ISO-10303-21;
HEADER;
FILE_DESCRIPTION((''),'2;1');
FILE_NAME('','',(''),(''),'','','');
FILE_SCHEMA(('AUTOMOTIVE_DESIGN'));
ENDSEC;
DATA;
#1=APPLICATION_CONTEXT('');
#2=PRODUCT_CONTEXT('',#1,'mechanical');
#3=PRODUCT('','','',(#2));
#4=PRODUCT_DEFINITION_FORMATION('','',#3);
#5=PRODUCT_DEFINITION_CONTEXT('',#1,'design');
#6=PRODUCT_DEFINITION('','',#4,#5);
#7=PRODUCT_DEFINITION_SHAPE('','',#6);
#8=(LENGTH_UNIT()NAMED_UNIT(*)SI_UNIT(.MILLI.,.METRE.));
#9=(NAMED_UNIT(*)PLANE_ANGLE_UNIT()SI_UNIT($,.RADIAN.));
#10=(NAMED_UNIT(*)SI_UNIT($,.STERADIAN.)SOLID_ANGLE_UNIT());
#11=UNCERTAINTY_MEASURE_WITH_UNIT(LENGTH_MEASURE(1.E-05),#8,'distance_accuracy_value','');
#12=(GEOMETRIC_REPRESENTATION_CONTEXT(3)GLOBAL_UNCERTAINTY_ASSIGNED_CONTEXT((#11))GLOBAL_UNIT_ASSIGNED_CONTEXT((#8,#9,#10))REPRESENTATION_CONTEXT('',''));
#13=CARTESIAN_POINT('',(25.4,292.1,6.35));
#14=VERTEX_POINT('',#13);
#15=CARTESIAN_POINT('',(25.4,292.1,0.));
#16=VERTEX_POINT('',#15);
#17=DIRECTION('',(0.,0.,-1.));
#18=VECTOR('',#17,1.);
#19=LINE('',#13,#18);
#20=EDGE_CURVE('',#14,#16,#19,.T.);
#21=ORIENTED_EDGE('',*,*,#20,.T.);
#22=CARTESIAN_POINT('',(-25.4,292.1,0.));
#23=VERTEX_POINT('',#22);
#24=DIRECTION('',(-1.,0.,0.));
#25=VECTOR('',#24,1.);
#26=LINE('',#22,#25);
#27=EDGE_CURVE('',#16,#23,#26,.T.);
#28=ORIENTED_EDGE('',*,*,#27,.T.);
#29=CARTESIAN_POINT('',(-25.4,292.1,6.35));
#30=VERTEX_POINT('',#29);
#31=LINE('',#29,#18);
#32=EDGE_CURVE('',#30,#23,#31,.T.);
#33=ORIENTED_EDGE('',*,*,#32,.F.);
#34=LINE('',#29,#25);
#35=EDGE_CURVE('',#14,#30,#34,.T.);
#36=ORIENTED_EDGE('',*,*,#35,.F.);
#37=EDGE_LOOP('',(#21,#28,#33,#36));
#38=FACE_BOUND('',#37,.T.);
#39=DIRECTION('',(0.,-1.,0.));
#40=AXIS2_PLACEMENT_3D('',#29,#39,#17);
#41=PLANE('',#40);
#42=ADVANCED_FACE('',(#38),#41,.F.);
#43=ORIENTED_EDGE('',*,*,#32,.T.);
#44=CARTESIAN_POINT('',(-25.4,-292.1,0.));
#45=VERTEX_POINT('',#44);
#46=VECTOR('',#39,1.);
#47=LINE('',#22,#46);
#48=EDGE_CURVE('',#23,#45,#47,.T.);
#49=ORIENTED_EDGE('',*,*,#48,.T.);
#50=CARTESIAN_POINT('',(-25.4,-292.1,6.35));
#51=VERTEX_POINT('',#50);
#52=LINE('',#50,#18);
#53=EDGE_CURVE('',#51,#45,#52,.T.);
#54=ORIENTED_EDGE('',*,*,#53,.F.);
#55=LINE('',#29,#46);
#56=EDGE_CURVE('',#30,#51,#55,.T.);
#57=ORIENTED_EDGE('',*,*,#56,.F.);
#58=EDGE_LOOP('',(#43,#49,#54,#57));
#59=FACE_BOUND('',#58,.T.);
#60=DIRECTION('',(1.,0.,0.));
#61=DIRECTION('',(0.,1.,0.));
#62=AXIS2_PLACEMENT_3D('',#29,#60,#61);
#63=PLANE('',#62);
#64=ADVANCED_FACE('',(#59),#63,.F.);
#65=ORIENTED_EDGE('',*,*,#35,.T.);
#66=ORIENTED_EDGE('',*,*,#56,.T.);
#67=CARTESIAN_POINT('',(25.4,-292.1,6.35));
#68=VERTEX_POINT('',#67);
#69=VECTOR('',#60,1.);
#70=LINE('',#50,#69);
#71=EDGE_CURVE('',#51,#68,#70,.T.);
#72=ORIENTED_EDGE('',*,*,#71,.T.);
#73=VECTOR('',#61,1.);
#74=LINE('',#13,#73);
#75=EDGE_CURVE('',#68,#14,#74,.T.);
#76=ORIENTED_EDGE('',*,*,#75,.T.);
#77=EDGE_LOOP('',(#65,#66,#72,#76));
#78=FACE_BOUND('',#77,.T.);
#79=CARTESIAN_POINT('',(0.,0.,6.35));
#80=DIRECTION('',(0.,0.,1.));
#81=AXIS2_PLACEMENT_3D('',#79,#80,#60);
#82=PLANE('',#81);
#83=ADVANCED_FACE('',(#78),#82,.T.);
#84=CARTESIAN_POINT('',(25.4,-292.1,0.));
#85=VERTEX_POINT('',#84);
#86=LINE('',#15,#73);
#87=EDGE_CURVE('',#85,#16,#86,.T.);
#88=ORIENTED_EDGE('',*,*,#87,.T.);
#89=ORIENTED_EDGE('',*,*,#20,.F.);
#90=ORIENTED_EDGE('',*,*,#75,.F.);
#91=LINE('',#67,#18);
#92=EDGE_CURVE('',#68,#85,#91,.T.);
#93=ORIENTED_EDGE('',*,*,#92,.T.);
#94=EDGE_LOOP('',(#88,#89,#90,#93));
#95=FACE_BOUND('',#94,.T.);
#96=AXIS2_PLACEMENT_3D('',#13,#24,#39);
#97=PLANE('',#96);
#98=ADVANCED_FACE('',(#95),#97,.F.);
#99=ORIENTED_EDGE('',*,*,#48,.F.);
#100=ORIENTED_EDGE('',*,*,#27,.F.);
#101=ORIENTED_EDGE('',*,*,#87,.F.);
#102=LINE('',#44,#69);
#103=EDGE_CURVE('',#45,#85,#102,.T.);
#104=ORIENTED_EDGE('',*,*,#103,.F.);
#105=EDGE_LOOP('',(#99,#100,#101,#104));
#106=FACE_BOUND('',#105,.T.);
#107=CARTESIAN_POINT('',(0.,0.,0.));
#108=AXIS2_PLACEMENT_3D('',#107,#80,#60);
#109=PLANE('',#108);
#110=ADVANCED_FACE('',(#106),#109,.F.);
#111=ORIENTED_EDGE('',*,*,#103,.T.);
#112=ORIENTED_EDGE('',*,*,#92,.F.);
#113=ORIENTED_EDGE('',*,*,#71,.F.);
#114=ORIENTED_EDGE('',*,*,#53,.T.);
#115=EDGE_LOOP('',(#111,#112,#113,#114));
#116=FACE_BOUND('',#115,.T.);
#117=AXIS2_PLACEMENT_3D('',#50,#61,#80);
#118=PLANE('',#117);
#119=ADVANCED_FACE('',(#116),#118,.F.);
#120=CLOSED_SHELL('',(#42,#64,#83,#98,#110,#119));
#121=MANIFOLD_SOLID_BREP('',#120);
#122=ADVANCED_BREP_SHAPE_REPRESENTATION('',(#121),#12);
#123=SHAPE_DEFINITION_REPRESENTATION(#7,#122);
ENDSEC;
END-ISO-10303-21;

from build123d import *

# Parameters (mm, degrees)
ESQUISSE1_W        = 50.8
ESQUISSE1_H        = 584.2
BOSS_EXTRU_1_DEPTH = 6.35


with BuildPart() as part:
    # Esquisse1 → Boss.-Extru.1 (new body)
    with BuildSketch(Plane.XY):
        Rectangle(ESQUISSE1_W, ESQUISSE1_H)
    extrude(amount=BOSS_EXTRU_1_DEPTH)


solid = part.part
